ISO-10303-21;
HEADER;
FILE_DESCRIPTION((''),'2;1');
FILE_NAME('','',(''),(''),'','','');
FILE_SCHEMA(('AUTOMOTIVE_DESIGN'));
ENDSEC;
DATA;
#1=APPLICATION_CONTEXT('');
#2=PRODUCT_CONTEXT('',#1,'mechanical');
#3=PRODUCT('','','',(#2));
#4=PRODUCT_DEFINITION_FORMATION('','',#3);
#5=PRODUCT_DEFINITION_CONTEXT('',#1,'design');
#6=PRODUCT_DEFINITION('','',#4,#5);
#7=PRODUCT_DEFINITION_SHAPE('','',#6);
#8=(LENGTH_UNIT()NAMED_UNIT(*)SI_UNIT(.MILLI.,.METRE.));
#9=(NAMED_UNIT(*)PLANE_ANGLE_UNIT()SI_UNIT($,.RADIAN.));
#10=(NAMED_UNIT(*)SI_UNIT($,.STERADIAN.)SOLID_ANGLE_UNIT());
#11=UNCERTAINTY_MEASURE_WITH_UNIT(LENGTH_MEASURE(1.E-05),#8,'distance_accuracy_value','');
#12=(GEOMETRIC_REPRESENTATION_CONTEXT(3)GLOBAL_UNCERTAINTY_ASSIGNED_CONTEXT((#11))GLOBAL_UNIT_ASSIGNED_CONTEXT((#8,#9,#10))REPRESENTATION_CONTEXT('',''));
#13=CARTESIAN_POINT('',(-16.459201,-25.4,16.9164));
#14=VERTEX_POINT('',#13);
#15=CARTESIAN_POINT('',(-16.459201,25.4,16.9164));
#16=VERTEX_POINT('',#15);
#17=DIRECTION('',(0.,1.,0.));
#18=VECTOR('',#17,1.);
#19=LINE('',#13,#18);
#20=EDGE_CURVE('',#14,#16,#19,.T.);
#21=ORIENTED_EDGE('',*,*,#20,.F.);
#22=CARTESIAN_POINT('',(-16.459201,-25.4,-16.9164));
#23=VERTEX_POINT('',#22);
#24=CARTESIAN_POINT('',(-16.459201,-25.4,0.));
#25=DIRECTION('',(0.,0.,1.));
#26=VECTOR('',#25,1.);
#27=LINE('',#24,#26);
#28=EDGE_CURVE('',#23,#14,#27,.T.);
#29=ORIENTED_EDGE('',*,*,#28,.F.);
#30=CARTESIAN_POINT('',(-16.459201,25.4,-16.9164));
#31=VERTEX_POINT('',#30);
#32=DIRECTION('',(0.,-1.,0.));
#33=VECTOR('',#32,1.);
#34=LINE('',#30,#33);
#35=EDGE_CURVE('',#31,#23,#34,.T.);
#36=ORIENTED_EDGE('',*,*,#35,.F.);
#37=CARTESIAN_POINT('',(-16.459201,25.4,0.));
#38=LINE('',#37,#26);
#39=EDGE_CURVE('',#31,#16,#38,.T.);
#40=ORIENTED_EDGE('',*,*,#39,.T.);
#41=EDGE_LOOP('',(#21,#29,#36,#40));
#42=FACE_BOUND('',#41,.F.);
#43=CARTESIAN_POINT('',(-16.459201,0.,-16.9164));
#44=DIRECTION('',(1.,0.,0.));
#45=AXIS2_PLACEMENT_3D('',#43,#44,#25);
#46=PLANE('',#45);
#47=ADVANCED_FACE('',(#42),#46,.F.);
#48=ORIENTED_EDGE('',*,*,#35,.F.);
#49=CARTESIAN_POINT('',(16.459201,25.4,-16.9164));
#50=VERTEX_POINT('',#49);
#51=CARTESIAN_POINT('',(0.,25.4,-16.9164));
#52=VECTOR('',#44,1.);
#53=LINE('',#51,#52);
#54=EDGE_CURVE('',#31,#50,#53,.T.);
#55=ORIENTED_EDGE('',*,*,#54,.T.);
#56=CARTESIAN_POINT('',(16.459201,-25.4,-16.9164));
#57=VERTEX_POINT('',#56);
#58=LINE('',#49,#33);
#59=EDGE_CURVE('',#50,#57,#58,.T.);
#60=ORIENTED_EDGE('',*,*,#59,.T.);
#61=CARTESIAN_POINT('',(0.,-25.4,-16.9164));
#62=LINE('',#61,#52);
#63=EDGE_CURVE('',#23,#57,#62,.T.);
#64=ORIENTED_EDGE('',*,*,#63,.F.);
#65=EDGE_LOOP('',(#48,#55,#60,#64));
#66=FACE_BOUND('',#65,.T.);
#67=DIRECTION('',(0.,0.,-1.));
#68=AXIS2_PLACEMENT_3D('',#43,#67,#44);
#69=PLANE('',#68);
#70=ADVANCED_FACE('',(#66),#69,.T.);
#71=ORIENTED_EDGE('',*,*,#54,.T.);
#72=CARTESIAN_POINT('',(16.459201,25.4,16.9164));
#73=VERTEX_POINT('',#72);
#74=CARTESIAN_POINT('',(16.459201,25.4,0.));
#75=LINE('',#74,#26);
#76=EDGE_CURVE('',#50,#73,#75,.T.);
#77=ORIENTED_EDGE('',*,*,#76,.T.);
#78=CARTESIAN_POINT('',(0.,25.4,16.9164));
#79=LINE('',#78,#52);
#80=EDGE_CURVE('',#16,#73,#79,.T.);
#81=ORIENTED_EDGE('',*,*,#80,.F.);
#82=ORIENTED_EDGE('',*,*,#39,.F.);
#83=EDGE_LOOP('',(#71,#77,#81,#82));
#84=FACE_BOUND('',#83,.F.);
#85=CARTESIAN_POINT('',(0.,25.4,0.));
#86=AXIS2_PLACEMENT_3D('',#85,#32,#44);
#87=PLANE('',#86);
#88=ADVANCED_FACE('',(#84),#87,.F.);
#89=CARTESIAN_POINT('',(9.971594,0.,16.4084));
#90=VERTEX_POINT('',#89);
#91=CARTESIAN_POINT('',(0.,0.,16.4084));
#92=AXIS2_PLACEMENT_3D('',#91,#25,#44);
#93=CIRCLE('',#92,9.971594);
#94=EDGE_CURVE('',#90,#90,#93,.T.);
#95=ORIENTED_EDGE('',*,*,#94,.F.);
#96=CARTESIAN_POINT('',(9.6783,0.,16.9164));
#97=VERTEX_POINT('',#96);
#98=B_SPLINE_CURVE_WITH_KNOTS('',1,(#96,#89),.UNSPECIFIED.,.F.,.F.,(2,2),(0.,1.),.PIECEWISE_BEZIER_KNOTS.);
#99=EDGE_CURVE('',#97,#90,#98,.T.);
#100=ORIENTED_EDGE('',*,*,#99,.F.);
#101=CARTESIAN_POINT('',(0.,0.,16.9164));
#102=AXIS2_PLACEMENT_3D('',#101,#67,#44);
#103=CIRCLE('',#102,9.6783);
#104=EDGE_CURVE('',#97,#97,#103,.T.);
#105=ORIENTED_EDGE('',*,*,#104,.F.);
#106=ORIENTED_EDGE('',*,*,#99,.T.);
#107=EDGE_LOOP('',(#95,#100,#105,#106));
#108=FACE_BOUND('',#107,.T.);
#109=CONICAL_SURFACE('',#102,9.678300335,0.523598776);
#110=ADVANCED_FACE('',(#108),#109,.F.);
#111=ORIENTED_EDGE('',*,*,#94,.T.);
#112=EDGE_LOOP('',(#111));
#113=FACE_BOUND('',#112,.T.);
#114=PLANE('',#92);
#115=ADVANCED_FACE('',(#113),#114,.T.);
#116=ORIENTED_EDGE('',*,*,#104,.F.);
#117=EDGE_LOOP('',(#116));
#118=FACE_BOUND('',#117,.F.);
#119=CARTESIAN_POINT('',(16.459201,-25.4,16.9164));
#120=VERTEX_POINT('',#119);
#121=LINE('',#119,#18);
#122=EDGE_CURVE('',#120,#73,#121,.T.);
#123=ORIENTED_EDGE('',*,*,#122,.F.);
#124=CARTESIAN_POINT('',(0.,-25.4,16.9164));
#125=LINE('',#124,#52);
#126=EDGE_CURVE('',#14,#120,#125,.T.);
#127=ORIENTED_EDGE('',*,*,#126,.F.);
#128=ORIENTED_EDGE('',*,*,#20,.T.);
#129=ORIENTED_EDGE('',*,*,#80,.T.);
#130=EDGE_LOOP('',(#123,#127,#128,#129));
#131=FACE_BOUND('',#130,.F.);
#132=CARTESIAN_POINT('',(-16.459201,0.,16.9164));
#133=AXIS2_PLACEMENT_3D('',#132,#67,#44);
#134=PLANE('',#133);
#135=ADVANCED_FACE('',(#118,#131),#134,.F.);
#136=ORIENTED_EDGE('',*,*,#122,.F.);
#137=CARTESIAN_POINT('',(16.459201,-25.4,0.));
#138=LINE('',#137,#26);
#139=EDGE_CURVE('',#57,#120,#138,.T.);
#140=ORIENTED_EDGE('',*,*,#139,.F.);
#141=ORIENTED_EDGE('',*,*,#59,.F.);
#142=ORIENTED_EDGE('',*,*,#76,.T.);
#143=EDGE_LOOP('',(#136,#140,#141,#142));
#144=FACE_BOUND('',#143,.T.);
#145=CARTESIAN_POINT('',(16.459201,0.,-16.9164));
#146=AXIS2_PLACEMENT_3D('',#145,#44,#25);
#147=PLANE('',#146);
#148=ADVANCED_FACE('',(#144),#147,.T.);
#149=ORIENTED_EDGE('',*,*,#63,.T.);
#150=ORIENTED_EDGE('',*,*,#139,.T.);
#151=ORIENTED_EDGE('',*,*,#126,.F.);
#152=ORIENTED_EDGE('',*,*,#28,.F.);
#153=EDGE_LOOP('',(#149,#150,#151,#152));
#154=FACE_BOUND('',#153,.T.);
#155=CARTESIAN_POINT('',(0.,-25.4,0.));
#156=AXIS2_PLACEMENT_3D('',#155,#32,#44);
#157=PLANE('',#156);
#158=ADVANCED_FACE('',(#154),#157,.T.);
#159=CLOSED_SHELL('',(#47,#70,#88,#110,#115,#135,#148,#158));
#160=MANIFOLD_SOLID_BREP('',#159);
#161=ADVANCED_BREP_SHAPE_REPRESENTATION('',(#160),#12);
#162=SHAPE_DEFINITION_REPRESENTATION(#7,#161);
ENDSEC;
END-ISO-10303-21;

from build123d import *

# Parameters (mm, degrees)
F0_W     = 32.9184010625
F0_H     = 33.8327996433
F1_DEPTH = 25.4
F2_R     = 9.6783003352
F3_DEPTH = 0.508
F3_TAPER = -30


with BuildPart() as f1:
    # F0 (on Front) → F1 (new body, symmetric)
    with BuildSketch(Plane.XZ):
        Rectangle(F0_W, F0_H)
    extrude(amount=F1_DEPTH, both=True)

    # F2 (on face) → F3 (cut)
    with BuildSketch(Plane.XY.offset(16.9163998216)):
        Circle(F2_R)
    extrude(amount=-F3_DEPTH, taper=F3_TAPER, mode=Mode.SUBTRACT)


solid = f1.part
